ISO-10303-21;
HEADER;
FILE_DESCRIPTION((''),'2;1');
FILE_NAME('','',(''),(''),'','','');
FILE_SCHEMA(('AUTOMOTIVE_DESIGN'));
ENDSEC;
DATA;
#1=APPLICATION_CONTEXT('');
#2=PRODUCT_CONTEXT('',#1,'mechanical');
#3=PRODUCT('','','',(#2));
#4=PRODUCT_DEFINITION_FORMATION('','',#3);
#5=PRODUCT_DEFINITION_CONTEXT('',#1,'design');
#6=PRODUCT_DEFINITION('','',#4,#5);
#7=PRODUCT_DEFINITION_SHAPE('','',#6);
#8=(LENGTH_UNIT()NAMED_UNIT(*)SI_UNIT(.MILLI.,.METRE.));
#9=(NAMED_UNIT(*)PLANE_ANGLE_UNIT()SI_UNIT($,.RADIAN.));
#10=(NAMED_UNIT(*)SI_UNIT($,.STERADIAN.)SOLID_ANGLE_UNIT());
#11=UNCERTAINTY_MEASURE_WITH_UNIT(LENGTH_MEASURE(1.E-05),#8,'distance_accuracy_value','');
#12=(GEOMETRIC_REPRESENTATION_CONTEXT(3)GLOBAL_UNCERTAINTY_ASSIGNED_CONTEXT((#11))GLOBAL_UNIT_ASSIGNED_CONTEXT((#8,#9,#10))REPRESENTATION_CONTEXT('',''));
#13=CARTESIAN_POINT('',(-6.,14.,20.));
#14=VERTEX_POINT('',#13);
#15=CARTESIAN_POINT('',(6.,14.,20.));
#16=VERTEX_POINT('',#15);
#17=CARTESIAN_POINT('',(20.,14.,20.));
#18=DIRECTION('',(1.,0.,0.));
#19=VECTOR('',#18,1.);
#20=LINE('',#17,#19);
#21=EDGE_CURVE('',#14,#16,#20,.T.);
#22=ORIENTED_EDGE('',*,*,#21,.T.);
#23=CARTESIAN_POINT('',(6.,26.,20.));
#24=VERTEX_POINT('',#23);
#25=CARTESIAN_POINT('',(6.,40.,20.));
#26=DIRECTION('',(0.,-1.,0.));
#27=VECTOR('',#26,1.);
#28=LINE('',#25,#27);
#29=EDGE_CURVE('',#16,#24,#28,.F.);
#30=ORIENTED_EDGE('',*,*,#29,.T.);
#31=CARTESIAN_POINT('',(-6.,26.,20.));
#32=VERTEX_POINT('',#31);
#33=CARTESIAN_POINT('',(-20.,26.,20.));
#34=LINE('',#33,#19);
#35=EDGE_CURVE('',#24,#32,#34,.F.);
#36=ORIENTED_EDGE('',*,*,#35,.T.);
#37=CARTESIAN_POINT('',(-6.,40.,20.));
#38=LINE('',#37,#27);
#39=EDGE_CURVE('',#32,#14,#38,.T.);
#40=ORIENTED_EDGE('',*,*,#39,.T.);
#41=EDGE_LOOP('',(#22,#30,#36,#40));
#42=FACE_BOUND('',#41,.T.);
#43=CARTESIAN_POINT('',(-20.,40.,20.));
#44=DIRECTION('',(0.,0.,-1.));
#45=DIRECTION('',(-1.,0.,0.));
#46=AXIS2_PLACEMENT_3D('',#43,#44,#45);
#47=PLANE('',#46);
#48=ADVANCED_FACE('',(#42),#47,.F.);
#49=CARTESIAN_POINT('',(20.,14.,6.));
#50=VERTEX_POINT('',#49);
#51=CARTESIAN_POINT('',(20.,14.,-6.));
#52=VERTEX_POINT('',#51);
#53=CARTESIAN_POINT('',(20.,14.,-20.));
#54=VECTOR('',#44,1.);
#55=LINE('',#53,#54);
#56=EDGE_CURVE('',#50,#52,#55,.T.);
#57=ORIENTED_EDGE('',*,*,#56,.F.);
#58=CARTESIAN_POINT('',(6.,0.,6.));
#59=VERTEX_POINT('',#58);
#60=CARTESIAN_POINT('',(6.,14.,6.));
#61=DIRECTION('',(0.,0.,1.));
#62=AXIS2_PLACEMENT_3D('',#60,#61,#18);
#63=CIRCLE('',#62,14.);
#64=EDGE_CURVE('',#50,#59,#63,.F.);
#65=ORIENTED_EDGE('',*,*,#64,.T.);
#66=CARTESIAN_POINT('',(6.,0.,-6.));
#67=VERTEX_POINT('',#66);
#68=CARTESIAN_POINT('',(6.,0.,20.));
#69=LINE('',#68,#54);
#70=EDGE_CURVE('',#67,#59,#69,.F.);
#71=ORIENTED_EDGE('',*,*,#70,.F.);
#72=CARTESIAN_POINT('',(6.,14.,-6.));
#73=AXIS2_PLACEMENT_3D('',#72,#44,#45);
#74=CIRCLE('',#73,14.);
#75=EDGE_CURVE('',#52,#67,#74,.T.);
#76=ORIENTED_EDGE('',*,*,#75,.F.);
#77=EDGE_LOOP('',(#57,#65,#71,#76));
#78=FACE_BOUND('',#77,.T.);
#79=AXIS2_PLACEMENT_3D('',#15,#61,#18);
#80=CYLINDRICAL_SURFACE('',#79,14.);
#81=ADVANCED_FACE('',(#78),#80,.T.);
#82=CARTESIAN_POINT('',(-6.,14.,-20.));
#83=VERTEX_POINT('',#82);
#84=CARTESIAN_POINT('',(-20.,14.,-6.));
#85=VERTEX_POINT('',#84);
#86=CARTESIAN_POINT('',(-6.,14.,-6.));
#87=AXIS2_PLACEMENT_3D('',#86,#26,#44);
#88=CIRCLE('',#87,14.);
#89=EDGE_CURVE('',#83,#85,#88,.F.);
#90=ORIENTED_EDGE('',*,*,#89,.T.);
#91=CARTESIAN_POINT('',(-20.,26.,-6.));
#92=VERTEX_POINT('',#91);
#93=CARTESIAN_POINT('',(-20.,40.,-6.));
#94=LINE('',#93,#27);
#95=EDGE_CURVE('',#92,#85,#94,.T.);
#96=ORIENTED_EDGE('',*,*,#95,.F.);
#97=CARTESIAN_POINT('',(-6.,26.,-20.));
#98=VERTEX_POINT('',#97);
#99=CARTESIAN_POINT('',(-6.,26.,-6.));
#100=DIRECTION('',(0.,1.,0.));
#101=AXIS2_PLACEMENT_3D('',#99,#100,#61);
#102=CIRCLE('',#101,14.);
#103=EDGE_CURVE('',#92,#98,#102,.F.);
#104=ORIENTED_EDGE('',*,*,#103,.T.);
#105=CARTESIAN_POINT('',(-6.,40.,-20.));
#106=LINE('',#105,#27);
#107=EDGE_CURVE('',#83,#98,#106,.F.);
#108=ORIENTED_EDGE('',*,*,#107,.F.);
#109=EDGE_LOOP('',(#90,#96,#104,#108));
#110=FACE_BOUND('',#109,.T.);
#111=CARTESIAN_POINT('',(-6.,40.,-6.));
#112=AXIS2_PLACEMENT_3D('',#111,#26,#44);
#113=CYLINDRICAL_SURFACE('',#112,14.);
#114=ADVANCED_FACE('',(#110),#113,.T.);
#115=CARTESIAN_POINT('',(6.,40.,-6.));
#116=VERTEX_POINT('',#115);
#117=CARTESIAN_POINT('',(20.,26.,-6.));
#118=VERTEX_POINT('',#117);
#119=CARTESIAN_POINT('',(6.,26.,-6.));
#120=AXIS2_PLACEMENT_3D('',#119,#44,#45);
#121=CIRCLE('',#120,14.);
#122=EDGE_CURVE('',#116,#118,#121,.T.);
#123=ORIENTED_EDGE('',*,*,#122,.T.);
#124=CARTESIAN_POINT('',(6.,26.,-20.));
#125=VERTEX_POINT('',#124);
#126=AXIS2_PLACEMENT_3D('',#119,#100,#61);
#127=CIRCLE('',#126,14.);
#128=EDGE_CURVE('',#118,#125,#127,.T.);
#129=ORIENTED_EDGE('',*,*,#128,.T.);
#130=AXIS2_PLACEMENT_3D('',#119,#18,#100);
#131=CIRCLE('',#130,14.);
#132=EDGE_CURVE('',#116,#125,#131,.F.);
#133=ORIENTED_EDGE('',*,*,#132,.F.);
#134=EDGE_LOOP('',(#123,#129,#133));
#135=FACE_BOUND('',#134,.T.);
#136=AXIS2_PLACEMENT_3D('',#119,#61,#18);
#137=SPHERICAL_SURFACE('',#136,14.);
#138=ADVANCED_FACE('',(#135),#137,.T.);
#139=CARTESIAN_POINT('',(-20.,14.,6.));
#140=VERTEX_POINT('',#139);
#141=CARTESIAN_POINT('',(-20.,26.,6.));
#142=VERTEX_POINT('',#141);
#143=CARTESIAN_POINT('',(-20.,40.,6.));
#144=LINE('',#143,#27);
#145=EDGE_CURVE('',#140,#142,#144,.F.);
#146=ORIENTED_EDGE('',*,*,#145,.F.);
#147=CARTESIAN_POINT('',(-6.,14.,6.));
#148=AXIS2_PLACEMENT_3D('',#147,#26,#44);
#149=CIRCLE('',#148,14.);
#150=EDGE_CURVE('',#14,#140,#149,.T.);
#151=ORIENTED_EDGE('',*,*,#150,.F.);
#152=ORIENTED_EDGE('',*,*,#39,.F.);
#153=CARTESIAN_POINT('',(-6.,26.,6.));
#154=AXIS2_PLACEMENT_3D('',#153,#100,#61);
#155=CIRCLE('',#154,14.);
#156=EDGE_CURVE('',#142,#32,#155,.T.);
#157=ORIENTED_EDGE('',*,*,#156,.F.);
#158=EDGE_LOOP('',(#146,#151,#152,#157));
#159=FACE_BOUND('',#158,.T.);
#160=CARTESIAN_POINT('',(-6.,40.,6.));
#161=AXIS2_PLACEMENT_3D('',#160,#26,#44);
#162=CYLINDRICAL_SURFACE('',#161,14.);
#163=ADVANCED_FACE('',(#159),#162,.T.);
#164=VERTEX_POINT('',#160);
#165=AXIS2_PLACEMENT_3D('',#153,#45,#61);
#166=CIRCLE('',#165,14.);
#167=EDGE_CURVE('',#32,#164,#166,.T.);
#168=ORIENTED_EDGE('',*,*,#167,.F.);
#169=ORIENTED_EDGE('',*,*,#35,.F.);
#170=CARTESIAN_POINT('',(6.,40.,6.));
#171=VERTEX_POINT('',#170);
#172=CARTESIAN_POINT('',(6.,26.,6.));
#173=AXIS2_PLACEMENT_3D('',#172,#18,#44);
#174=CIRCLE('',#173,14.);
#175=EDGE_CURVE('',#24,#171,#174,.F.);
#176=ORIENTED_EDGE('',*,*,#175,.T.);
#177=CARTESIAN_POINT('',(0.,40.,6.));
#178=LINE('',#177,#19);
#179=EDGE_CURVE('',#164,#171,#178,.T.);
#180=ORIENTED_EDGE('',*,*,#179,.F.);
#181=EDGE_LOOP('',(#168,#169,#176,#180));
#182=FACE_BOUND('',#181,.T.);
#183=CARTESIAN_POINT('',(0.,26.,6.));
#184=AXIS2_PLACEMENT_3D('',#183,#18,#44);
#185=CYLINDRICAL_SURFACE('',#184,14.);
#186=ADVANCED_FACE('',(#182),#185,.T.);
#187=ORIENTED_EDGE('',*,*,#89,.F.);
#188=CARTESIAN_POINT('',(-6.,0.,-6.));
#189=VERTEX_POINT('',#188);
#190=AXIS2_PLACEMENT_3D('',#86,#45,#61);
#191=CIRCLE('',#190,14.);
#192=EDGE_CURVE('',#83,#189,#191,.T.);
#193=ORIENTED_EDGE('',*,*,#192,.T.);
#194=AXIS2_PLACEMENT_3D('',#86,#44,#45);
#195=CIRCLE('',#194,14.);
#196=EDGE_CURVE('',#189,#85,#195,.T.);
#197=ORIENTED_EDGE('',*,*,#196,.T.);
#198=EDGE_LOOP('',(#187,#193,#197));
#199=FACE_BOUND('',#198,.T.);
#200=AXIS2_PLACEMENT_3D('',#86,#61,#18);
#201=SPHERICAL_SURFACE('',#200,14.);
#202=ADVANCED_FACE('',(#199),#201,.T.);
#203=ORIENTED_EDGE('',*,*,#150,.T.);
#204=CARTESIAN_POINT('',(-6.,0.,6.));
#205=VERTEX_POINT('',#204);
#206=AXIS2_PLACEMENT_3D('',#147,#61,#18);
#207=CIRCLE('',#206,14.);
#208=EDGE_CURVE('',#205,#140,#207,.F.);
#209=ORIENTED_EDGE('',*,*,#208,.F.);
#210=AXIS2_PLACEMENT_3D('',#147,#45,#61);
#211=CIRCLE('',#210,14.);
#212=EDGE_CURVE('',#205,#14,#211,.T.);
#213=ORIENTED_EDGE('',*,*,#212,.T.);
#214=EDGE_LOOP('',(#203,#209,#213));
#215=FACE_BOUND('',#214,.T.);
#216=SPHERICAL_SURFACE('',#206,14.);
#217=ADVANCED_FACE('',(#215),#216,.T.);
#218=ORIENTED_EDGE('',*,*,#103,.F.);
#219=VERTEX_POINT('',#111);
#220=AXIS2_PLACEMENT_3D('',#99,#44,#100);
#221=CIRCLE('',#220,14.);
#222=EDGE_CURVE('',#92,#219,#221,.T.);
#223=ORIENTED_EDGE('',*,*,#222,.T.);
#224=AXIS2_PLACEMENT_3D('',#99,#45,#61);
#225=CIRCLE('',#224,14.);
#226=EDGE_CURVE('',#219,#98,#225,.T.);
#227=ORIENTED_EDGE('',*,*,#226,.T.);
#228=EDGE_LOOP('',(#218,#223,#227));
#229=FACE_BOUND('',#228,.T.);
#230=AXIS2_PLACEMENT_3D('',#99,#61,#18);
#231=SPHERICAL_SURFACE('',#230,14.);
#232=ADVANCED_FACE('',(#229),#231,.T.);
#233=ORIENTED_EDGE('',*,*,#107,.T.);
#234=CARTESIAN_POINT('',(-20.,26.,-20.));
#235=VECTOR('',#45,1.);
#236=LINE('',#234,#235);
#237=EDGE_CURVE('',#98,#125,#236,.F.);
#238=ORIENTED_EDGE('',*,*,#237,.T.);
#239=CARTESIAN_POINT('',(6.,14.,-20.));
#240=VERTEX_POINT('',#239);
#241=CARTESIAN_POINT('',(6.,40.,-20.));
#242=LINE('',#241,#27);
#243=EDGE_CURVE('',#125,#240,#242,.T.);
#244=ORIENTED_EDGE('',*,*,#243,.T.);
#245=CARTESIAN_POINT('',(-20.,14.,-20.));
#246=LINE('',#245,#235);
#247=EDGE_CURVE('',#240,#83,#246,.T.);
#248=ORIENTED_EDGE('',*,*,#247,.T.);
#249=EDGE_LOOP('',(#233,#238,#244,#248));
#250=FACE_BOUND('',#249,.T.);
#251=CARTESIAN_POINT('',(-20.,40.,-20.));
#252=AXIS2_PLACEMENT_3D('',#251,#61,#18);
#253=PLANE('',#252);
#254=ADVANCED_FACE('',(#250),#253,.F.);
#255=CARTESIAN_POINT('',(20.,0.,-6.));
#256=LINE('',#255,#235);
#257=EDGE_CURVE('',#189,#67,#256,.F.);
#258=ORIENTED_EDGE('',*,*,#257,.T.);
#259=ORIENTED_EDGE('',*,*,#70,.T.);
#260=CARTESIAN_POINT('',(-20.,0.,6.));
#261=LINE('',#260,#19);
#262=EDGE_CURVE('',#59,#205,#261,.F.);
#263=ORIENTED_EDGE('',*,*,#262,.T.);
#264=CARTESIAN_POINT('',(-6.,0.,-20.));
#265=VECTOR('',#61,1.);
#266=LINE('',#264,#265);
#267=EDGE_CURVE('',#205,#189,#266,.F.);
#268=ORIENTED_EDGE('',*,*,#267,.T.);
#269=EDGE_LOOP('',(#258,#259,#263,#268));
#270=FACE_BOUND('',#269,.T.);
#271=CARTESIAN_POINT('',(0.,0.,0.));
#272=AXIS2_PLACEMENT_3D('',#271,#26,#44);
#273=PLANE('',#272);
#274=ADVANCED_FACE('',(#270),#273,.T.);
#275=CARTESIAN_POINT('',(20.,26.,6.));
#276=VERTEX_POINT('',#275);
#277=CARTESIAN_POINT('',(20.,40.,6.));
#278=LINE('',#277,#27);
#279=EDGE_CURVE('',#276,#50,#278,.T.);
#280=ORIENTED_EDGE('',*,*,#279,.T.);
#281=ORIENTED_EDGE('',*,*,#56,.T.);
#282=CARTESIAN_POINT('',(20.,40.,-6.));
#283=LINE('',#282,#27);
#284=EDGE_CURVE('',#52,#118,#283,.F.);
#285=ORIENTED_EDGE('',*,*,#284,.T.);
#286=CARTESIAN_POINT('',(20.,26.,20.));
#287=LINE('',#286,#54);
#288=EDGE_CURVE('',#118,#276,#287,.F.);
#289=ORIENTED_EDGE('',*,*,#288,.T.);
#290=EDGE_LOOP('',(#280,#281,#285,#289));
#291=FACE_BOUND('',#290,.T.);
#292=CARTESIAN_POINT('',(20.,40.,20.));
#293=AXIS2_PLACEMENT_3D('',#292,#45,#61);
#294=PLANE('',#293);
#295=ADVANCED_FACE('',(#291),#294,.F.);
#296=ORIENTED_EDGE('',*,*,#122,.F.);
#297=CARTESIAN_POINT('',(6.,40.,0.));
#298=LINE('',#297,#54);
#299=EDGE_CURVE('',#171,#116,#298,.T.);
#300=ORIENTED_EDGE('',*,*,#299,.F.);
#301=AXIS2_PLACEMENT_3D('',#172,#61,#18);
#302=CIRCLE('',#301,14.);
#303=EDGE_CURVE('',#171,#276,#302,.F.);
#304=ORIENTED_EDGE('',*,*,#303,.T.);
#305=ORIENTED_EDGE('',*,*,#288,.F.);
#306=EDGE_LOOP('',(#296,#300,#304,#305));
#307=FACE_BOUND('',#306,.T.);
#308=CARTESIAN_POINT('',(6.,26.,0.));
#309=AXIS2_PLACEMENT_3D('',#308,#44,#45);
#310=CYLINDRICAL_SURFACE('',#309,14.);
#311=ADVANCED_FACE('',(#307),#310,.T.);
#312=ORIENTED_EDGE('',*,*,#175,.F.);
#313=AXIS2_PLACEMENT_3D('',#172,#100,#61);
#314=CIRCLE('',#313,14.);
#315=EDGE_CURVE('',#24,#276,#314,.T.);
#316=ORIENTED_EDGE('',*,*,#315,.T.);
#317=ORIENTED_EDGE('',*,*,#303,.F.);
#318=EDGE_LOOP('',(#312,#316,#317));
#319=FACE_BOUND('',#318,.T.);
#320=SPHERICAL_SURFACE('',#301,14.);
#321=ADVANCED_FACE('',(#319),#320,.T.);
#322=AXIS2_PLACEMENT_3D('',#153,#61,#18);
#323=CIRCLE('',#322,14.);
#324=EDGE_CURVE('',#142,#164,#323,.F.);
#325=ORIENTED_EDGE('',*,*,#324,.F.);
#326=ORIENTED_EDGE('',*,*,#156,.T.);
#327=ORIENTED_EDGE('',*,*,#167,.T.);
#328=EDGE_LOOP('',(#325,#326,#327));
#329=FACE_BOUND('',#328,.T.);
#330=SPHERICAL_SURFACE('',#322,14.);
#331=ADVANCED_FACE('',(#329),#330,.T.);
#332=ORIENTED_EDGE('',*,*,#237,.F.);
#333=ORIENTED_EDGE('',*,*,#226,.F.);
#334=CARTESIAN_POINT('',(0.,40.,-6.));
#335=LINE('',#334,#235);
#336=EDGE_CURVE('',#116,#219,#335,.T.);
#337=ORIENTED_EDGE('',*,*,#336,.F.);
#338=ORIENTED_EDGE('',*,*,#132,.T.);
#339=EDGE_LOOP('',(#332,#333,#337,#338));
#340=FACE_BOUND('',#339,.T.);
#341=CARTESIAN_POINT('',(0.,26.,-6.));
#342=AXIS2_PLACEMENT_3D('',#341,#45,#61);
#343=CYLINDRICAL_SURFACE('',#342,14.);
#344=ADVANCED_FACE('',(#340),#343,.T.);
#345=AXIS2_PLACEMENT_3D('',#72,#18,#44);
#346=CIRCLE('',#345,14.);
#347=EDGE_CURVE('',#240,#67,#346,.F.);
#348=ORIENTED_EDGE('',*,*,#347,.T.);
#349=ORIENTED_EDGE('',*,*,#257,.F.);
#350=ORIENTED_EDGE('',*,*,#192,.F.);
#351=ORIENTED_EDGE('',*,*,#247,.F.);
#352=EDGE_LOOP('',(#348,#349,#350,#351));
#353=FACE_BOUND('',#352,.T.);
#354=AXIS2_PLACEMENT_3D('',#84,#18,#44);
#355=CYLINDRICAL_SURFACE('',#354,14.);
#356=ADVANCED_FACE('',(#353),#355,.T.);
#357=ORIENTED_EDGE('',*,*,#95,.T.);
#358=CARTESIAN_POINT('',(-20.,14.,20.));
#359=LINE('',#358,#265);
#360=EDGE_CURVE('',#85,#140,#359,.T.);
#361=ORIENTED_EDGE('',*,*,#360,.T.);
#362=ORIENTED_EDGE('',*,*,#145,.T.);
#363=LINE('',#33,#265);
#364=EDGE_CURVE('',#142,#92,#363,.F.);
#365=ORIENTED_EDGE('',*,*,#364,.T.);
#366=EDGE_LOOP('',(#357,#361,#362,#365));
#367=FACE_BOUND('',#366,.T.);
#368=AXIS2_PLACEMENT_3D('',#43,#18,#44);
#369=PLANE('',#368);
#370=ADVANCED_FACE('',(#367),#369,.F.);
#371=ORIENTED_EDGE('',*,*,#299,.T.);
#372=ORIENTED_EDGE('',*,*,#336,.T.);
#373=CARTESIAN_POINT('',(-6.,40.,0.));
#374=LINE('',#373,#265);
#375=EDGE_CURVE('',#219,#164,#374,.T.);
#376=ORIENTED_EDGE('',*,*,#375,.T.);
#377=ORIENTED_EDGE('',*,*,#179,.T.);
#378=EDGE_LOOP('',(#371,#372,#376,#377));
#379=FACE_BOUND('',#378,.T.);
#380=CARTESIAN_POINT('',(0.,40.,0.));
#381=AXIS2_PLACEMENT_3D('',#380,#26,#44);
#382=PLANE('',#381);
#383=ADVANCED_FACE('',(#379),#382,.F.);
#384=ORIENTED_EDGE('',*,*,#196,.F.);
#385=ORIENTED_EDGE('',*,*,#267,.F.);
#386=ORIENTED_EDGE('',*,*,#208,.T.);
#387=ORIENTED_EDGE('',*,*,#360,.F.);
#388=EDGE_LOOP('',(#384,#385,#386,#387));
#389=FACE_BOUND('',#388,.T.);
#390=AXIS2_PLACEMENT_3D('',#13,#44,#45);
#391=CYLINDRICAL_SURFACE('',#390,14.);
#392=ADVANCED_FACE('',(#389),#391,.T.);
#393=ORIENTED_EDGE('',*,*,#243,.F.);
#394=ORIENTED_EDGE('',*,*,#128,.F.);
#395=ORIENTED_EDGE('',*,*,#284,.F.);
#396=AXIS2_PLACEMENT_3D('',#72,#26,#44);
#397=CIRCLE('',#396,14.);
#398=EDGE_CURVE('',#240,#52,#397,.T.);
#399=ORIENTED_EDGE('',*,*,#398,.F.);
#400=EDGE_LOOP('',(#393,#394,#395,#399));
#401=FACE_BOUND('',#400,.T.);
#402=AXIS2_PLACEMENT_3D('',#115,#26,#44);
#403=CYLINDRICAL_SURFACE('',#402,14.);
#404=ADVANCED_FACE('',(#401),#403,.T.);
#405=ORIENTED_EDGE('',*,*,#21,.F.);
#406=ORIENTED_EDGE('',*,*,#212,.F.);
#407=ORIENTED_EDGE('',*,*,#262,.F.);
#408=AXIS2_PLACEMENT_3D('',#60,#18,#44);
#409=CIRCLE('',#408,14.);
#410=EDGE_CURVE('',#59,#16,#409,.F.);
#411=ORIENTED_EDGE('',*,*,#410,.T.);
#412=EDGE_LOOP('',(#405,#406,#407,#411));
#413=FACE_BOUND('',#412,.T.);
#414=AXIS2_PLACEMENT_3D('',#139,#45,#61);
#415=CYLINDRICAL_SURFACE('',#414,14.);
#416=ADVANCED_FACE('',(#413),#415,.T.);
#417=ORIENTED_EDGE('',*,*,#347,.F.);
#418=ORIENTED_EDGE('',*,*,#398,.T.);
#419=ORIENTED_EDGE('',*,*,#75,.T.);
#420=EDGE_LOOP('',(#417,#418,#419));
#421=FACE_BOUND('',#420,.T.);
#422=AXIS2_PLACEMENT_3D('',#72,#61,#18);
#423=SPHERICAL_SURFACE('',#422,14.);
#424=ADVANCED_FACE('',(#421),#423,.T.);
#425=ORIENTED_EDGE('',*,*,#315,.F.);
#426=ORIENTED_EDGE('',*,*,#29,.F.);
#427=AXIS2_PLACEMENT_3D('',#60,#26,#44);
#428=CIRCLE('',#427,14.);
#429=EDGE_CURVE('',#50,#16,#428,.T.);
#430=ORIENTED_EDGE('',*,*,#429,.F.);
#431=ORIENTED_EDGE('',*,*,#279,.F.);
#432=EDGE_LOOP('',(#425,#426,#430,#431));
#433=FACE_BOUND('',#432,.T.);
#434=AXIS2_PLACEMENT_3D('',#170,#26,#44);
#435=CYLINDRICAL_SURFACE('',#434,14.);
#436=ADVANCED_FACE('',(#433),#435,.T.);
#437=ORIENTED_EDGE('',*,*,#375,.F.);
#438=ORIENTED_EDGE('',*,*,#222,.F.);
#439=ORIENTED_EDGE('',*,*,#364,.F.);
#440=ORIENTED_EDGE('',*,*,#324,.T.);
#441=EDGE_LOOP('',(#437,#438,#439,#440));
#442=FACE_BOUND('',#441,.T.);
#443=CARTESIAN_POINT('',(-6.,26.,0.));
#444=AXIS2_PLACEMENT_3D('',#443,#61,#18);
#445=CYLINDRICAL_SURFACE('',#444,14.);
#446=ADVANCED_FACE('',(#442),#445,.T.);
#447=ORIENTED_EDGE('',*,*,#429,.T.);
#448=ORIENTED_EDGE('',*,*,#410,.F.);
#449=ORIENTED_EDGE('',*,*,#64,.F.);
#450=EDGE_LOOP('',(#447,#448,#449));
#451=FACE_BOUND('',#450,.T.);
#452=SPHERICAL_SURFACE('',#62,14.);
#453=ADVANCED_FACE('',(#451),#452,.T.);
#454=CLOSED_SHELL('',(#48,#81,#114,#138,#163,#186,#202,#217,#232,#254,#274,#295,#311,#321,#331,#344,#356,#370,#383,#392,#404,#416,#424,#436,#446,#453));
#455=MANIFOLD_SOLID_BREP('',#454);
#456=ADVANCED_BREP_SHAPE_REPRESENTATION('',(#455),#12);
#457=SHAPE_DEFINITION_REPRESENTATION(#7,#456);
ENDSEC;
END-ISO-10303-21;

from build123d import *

# Parameters (mm, degrees)
SKETCH1_W           = 40
SKETCH1_H           = 40
BOSS_EXTRUDE1_DEPTH = 40
FILLET1_R           = 14


with BuildPart() as part:
    # Sketch1 → Boss-Extrude1 (new body)
    with BuildSketch(Plane(origin=(0, 0, 0), x_dir=(1, 0, 0), z_dir=(0, 1, 0))):
        Rectangle(SKETCH1_W, SKETCH1_H)
    extrude(amount=BOSS_EXTRUDE1_DEPTH)

    # Fillet1
    fillet1_edges = [part.edges().sort_by_distance(p)[0] for p in [
        (-20, 40, 0),
        (0, 40, 20),
        (20, 40, 0),
        (0, 0, 20),
        (-20, 0, 0),
        (0, 0, -20),
        (20, 0, 0),
        (20, 20, 20),
        (-20, 20, 20),
        (-20, 20, -20),
        (20, 20, -20),
        (0, 40, -20),
    ]]
    fillet(fillet1_edges, radius=FILLET1_R)


solid = part.part
